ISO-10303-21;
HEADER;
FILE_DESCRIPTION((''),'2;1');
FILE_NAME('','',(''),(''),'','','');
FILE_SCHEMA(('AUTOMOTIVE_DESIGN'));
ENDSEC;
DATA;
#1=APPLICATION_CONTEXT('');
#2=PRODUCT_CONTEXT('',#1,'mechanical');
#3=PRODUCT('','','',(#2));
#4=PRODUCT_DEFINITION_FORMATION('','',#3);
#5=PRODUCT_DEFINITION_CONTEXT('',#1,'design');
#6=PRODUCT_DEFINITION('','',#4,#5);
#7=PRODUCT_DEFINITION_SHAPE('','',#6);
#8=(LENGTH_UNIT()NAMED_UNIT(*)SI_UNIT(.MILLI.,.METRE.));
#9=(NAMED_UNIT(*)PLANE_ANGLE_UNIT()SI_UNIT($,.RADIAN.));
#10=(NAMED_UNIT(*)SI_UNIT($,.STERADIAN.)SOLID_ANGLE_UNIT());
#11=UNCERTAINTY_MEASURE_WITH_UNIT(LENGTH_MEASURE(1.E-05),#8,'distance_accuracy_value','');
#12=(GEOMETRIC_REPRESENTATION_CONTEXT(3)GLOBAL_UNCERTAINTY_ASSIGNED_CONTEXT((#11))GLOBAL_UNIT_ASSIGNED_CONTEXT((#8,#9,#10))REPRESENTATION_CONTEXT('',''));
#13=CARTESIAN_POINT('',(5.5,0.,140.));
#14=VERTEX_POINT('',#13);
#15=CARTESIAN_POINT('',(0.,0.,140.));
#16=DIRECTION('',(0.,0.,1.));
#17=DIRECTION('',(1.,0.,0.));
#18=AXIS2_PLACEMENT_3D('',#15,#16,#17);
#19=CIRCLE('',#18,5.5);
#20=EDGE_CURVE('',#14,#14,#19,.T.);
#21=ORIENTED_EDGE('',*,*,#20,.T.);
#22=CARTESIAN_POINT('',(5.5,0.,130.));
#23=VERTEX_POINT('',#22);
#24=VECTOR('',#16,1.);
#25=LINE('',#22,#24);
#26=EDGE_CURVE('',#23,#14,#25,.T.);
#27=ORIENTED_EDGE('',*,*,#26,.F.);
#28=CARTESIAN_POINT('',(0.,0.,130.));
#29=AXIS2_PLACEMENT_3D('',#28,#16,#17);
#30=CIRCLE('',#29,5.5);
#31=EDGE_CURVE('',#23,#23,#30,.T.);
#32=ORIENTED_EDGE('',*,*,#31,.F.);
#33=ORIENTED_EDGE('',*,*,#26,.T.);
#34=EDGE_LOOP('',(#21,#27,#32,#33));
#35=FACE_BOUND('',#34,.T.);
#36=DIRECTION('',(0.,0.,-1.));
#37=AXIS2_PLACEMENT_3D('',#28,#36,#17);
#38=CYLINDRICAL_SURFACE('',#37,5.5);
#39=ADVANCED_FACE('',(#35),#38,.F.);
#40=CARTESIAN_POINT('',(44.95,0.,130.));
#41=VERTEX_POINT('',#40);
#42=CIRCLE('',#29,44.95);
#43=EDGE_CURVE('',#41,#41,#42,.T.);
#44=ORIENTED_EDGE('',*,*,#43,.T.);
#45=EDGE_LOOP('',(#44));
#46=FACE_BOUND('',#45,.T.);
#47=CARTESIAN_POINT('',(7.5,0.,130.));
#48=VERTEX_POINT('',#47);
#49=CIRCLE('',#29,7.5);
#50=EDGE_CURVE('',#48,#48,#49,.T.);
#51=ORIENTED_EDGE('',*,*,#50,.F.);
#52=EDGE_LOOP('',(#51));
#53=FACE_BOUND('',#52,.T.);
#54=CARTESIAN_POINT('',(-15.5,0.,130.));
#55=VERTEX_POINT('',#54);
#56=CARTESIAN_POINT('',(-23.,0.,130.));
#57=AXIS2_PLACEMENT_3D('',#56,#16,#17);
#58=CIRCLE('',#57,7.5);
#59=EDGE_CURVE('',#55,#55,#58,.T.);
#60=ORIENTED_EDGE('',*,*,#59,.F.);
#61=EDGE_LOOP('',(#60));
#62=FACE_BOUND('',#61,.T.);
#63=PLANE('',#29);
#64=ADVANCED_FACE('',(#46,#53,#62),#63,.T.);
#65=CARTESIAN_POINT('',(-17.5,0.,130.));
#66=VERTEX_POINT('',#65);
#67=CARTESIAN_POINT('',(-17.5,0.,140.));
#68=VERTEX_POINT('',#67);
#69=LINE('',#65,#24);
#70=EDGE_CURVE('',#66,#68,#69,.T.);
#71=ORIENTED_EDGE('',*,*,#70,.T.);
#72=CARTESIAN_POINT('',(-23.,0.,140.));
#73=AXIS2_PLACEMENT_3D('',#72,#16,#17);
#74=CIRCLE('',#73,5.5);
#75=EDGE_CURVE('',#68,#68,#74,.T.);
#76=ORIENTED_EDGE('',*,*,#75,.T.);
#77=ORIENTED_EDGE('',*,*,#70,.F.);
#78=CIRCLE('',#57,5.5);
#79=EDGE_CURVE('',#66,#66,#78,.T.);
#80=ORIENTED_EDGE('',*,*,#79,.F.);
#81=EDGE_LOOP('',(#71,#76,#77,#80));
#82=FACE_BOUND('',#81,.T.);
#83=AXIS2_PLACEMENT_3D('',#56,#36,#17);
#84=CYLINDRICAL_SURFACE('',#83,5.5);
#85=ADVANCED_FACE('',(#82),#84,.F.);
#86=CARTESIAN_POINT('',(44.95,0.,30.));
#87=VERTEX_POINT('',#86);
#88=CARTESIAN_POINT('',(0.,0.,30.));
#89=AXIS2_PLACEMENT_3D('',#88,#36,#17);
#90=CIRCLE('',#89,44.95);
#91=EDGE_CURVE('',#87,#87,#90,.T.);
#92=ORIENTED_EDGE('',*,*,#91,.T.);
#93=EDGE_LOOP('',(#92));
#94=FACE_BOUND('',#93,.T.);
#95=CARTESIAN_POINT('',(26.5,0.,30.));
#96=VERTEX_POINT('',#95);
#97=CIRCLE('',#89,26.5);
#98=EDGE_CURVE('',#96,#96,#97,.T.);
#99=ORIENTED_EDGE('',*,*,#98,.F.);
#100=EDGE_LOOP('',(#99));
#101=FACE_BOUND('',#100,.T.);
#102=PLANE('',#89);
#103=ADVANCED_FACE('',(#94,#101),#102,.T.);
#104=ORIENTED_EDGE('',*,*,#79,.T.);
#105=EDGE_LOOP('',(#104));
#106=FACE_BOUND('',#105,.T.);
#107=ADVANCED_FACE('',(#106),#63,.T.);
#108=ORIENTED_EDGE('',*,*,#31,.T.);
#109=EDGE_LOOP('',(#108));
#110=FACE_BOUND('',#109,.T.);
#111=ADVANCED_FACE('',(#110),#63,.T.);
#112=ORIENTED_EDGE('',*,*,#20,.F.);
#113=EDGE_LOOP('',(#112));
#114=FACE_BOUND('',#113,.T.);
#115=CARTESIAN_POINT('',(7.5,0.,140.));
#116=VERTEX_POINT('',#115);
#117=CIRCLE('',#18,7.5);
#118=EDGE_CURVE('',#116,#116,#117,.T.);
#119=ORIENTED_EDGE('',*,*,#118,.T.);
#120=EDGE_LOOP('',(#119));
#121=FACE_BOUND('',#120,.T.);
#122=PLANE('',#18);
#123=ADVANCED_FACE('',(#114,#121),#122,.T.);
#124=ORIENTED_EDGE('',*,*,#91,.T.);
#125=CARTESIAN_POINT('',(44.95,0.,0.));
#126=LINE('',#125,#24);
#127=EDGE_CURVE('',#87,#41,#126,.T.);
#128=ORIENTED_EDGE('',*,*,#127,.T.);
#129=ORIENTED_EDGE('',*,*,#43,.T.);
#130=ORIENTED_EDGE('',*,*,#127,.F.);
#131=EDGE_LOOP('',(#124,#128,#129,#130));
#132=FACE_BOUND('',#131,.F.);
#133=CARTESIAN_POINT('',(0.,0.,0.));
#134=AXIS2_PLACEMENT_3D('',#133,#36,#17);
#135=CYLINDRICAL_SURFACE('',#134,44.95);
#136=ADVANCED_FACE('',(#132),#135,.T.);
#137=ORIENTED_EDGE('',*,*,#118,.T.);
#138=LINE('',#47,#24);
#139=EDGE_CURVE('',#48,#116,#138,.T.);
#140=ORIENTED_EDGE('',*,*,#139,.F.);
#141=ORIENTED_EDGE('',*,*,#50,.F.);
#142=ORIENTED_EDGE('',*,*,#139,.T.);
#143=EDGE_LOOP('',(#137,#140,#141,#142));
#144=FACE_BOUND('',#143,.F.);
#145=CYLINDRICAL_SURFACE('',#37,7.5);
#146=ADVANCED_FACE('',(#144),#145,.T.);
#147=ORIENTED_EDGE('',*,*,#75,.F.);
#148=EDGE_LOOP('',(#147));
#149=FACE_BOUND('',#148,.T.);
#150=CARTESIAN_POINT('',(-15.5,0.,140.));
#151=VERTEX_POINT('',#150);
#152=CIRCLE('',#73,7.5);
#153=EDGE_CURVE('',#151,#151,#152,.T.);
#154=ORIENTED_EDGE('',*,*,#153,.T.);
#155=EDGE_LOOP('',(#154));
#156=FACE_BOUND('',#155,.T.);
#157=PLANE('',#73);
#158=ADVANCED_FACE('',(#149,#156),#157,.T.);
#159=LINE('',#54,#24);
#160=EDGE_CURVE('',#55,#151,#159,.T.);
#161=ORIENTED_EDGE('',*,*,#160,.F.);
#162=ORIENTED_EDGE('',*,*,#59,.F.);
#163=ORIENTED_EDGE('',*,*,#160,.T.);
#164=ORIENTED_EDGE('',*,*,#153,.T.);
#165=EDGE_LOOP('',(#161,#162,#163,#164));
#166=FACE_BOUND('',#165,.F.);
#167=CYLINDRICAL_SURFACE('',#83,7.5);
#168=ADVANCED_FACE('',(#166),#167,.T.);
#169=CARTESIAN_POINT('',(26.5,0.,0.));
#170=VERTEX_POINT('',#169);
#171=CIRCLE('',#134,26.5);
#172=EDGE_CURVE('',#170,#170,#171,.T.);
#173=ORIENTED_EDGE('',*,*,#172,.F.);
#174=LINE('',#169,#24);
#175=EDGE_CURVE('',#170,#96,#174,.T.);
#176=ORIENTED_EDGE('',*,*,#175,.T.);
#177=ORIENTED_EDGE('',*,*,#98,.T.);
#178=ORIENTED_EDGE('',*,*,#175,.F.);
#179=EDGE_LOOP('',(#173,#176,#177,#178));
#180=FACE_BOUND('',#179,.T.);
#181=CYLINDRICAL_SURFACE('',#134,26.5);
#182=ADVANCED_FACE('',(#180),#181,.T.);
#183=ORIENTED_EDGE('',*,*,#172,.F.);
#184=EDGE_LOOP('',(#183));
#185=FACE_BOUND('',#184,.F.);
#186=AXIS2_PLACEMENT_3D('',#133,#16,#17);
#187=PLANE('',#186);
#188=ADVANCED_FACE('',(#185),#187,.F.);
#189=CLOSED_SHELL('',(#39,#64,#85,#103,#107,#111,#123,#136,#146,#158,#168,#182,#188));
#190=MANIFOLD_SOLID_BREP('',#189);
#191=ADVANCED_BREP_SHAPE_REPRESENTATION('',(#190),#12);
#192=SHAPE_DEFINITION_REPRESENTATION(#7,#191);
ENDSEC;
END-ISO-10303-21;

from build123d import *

# Parameters (mm, degrees)
F0_R     = 44.95
F1_DEPTH = 130
F2_R     = 7.5
F2_R_2   = 5.5
F3_DEPTH = 10
F4_R     = 44.95
F4_R_2   = 26.5
F5_DEPTH = 30


with BuildPart() as f1:
    # F0 (on Top) → F1 (new body)
    with BuildSketch(Plane.XY):
        Circle(F0_R)
    extrude(amount=F1_DEPTH)

    # F2 (on face) → F3 (join)
    with BuildSketch(Plane.XY.offset(130)):
        Circle(F2_R)
        Circle(F2_R_2, mode=Mode.SUBTRACT)
        with Locations((-23, 0)):
            Circle(F2_R)
        with Locations((-23, 0)):
            Circle(F2_R_2, mode=Mode.SUBTRACT)
    extrude(amount=F3_DEPTH)

    # F4 (on face) → F5 (cut)
    with BuildSketch(Plane(origin=(0, 0, 0), x_dir=(1, 0, 0), z_dir=(0, 0, -1))):
        Circle(F4_R)
        Circle(F4_R_2, mode=Mode.SUBTRACT)
    extrude(amount=-F5_DEPTH, mode=Mode.SUBTRACT)


solid = f1.part
